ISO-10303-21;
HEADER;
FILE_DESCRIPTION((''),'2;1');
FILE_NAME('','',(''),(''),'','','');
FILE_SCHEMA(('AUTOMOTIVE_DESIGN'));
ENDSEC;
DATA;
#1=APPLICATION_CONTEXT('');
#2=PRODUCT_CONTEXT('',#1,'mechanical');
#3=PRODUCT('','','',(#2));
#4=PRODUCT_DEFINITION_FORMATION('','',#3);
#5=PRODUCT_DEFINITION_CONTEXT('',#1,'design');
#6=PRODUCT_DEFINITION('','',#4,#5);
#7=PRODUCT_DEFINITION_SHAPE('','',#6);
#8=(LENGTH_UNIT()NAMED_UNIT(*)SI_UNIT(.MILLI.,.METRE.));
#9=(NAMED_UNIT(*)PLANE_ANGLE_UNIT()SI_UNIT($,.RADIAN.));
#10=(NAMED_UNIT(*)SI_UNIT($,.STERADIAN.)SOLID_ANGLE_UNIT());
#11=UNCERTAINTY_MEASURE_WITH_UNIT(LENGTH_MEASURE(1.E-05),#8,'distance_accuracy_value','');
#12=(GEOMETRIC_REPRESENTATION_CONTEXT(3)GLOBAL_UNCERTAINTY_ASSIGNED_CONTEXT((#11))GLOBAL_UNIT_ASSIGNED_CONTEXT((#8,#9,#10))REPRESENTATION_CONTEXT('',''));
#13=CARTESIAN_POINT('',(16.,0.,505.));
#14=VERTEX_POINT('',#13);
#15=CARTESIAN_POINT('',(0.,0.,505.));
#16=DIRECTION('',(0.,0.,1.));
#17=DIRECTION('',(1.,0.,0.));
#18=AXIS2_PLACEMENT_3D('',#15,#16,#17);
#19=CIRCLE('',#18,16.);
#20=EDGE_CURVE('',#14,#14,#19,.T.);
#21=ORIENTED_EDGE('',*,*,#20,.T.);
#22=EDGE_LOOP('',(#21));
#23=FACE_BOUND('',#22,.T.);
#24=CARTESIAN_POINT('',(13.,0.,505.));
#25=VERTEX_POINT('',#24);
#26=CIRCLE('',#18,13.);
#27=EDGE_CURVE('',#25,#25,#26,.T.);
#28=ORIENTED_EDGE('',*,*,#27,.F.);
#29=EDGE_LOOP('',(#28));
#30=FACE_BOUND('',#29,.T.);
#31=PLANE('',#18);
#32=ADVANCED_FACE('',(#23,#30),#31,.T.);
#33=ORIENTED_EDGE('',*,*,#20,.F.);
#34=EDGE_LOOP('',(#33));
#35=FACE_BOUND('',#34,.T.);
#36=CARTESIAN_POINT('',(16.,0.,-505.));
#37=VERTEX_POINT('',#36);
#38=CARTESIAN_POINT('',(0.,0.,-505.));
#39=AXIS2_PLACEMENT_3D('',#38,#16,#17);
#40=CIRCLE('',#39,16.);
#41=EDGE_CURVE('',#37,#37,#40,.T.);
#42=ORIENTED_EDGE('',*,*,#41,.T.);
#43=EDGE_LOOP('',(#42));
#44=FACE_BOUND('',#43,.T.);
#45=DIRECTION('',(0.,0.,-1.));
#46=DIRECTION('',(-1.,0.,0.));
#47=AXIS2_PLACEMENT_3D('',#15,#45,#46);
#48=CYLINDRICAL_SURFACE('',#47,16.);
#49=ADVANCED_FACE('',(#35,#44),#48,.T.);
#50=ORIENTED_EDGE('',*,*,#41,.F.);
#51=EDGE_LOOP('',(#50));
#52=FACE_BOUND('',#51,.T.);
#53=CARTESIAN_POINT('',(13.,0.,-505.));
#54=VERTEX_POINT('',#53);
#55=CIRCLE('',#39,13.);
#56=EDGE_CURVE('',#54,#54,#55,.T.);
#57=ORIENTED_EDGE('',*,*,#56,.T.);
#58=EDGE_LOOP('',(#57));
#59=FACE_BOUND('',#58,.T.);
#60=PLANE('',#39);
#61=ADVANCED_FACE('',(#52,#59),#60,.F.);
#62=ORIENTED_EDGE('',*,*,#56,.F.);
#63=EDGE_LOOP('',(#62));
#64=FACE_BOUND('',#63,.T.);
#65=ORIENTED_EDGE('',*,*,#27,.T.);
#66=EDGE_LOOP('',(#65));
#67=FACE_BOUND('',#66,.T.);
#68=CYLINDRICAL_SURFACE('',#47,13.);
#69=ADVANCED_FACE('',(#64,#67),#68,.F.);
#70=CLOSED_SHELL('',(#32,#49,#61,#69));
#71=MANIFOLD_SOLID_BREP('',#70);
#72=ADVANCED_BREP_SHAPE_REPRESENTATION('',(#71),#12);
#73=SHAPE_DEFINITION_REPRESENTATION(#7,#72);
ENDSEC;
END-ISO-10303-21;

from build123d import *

# Parameters (mm, degrees)
CROQUIS1_R     = 16
EXTRUIR1_DEPTH = 505
VACIADO1_T     = -3


with BuildPart() as part:
    # Croquis1 → Extruir1 (new, symmetric)
    with BuildSketch(Plane.XY):
        Circle(CROQUIS1_R)
    extrude(amount=EXTRUIR1_DEPTH, both=True)

    # Vaciado1
    vaciado1_openings = [part.faces().sort_by_distance(p)[0] for p in [
        (0, 0, 505),
        (0, 0, -505),
    ]]
    offset(amount=VACIADO1_T, openings=vaciado1_openings, kind=Kind.INTERSECTION)


solid = part.part
